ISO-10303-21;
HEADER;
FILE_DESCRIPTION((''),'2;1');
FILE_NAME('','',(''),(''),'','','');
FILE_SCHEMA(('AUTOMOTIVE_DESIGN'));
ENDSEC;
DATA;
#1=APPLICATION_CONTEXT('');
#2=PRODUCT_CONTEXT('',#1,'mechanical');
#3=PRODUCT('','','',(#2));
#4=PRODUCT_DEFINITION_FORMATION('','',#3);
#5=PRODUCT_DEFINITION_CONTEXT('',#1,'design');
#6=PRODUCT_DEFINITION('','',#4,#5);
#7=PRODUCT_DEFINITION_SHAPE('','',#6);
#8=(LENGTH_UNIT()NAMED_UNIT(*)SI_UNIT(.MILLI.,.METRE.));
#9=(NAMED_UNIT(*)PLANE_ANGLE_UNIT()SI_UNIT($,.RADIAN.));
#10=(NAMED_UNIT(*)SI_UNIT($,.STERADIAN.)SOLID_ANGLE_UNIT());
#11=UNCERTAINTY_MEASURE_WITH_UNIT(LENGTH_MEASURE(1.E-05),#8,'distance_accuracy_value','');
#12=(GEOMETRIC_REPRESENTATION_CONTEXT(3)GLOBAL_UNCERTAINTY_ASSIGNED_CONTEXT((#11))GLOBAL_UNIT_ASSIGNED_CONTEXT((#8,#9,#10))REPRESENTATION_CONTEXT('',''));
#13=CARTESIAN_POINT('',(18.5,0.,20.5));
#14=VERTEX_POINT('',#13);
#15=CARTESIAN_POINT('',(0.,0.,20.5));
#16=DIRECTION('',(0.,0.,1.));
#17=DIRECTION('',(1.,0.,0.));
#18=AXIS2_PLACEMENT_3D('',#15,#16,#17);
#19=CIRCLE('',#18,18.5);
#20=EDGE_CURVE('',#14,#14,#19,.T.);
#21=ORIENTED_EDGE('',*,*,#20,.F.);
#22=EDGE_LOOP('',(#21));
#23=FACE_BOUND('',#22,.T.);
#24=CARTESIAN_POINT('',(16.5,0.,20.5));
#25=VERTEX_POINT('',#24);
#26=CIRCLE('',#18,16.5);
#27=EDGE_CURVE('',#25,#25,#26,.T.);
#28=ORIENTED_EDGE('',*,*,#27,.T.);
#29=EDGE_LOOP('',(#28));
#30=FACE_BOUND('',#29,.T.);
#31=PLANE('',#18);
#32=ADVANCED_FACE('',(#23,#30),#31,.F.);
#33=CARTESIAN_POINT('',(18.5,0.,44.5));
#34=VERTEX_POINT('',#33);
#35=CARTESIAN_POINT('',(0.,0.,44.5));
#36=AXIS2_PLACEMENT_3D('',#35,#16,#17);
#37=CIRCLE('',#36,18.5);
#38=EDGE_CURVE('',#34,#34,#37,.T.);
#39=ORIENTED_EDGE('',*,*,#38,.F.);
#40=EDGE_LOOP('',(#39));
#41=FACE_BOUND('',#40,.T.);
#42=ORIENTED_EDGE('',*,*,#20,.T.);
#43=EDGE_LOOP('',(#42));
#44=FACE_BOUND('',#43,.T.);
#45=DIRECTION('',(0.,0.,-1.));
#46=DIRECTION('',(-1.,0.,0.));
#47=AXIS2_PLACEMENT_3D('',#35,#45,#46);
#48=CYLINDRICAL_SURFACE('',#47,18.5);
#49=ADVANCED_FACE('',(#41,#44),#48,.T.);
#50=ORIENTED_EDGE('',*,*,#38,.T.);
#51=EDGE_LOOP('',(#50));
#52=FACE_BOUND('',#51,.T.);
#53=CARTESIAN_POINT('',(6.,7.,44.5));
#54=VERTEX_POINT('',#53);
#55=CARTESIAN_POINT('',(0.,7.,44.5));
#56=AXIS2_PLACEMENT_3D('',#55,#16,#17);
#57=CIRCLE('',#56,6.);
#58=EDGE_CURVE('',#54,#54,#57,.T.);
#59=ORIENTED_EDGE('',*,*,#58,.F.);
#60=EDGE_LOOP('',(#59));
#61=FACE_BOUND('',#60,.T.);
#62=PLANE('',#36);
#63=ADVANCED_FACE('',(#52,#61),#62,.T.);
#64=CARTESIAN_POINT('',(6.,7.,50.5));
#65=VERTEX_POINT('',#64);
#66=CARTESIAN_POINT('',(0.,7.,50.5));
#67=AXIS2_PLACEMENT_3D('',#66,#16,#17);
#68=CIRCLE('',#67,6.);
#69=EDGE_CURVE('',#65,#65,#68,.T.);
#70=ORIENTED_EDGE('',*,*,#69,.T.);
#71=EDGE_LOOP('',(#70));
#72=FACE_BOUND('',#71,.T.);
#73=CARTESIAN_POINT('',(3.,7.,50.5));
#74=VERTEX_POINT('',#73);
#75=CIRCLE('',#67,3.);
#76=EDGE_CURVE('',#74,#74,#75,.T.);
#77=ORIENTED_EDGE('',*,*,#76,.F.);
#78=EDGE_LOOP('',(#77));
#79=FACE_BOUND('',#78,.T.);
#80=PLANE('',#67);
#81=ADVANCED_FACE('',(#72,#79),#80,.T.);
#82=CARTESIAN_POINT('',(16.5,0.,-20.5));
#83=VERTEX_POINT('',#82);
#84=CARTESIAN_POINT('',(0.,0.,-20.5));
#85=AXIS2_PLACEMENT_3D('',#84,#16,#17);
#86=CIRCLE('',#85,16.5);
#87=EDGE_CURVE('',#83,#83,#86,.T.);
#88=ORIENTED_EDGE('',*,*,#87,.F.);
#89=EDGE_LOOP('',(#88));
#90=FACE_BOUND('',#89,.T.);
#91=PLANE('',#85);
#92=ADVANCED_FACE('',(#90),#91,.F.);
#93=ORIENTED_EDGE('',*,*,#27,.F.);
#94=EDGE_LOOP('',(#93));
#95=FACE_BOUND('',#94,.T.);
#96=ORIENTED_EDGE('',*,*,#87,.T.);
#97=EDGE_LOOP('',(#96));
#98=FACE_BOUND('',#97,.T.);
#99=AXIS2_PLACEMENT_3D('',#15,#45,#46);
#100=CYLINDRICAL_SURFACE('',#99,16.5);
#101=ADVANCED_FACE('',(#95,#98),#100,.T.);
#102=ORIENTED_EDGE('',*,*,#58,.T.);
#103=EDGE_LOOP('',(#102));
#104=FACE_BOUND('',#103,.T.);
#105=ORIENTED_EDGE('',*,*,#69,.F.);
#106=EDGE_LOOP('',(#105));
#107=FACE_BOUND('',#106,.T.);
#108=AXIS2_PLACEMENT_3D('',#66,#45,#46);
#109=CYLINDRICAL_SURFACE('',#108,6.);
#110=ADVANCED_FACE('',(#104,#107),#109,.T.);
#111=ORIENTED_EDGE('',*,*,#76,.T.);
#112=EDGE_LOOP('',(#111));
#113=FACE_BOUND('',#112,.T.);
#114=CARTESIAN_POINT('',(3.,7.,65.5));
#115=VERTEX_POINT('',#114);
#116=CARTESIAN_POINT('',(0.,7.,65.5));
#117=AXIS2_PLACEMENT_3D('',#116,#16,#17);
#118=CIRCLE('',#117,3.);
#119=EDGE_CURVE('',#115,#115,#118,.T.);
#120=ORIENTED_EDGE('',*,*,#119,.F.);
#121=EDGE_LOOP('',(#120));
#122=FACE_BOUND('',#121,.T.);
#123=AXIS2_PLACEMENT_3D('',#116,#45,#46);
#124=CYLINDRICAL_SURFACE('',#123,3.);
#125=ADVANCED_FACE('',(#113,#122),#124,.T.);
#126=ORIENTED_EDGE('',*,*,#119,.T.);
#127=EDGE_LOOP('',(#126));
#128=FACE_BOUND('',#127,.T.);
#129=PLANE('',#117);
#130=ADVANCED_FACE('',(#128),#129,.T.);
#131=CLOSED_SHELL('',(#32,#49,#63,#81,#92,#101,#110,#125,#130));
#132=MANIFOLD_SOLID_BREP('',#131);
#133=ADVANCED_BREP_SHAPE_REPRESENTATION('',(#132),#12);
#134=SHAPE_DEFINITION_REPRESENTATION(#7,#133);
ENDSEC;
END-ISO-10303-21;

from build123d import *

# Parameters (mm, degrees)
SKETCH1_R           = 16.5
BOSS_EXTRUDE1_DEPTH = 20.5
SKETCH2_R           = 18.5
BOSS_EXTRUDE2_DEPTH = 24
SKETCH3_R           = 6
BOSS_EXTRUDE3_DEPTH = 6
SKETCH4_R           = 3
BOSS_EXTRUDE4_DEPTH = 15


with BuildPart() as part:
    # Sketch1 → Boss-Extrude1 (new body, symmetric)
    with BuildSketch(Plane.XY):
        Circle(SKETCH1_R)
    extrude(amount=BOSS_EXTRUDE1_DEPTH, both=True)

    # Sketch2 → Boss-Extrude2 (add)
    with BuildSketch(Plane.XY.offset(20.5)):
        Circle(SKETCH2_R)
    extrude(amount=BOSS_EXTRUDE2_DEPTH)

    # Sketch3 → Boss-Extrude3 (add)
    with BuildSketch(Plane.XY.offset(44.5)):
        with Locations((0, 7)):
            Circle(SKETCH3_R)
    extrude(amount=BOSS_EXTRUDE3_DEPTH)

    # Sketch4 → Boss-Extrude4 (add)
    with BuildSketch(Plane.XY.offset(50.5)):
        with Locations((0, 7)):
            Circle(SKETCH4_R)
    extrude(amount=BOSS_EXTRUDE4_DEPTH)


solid = part.part
